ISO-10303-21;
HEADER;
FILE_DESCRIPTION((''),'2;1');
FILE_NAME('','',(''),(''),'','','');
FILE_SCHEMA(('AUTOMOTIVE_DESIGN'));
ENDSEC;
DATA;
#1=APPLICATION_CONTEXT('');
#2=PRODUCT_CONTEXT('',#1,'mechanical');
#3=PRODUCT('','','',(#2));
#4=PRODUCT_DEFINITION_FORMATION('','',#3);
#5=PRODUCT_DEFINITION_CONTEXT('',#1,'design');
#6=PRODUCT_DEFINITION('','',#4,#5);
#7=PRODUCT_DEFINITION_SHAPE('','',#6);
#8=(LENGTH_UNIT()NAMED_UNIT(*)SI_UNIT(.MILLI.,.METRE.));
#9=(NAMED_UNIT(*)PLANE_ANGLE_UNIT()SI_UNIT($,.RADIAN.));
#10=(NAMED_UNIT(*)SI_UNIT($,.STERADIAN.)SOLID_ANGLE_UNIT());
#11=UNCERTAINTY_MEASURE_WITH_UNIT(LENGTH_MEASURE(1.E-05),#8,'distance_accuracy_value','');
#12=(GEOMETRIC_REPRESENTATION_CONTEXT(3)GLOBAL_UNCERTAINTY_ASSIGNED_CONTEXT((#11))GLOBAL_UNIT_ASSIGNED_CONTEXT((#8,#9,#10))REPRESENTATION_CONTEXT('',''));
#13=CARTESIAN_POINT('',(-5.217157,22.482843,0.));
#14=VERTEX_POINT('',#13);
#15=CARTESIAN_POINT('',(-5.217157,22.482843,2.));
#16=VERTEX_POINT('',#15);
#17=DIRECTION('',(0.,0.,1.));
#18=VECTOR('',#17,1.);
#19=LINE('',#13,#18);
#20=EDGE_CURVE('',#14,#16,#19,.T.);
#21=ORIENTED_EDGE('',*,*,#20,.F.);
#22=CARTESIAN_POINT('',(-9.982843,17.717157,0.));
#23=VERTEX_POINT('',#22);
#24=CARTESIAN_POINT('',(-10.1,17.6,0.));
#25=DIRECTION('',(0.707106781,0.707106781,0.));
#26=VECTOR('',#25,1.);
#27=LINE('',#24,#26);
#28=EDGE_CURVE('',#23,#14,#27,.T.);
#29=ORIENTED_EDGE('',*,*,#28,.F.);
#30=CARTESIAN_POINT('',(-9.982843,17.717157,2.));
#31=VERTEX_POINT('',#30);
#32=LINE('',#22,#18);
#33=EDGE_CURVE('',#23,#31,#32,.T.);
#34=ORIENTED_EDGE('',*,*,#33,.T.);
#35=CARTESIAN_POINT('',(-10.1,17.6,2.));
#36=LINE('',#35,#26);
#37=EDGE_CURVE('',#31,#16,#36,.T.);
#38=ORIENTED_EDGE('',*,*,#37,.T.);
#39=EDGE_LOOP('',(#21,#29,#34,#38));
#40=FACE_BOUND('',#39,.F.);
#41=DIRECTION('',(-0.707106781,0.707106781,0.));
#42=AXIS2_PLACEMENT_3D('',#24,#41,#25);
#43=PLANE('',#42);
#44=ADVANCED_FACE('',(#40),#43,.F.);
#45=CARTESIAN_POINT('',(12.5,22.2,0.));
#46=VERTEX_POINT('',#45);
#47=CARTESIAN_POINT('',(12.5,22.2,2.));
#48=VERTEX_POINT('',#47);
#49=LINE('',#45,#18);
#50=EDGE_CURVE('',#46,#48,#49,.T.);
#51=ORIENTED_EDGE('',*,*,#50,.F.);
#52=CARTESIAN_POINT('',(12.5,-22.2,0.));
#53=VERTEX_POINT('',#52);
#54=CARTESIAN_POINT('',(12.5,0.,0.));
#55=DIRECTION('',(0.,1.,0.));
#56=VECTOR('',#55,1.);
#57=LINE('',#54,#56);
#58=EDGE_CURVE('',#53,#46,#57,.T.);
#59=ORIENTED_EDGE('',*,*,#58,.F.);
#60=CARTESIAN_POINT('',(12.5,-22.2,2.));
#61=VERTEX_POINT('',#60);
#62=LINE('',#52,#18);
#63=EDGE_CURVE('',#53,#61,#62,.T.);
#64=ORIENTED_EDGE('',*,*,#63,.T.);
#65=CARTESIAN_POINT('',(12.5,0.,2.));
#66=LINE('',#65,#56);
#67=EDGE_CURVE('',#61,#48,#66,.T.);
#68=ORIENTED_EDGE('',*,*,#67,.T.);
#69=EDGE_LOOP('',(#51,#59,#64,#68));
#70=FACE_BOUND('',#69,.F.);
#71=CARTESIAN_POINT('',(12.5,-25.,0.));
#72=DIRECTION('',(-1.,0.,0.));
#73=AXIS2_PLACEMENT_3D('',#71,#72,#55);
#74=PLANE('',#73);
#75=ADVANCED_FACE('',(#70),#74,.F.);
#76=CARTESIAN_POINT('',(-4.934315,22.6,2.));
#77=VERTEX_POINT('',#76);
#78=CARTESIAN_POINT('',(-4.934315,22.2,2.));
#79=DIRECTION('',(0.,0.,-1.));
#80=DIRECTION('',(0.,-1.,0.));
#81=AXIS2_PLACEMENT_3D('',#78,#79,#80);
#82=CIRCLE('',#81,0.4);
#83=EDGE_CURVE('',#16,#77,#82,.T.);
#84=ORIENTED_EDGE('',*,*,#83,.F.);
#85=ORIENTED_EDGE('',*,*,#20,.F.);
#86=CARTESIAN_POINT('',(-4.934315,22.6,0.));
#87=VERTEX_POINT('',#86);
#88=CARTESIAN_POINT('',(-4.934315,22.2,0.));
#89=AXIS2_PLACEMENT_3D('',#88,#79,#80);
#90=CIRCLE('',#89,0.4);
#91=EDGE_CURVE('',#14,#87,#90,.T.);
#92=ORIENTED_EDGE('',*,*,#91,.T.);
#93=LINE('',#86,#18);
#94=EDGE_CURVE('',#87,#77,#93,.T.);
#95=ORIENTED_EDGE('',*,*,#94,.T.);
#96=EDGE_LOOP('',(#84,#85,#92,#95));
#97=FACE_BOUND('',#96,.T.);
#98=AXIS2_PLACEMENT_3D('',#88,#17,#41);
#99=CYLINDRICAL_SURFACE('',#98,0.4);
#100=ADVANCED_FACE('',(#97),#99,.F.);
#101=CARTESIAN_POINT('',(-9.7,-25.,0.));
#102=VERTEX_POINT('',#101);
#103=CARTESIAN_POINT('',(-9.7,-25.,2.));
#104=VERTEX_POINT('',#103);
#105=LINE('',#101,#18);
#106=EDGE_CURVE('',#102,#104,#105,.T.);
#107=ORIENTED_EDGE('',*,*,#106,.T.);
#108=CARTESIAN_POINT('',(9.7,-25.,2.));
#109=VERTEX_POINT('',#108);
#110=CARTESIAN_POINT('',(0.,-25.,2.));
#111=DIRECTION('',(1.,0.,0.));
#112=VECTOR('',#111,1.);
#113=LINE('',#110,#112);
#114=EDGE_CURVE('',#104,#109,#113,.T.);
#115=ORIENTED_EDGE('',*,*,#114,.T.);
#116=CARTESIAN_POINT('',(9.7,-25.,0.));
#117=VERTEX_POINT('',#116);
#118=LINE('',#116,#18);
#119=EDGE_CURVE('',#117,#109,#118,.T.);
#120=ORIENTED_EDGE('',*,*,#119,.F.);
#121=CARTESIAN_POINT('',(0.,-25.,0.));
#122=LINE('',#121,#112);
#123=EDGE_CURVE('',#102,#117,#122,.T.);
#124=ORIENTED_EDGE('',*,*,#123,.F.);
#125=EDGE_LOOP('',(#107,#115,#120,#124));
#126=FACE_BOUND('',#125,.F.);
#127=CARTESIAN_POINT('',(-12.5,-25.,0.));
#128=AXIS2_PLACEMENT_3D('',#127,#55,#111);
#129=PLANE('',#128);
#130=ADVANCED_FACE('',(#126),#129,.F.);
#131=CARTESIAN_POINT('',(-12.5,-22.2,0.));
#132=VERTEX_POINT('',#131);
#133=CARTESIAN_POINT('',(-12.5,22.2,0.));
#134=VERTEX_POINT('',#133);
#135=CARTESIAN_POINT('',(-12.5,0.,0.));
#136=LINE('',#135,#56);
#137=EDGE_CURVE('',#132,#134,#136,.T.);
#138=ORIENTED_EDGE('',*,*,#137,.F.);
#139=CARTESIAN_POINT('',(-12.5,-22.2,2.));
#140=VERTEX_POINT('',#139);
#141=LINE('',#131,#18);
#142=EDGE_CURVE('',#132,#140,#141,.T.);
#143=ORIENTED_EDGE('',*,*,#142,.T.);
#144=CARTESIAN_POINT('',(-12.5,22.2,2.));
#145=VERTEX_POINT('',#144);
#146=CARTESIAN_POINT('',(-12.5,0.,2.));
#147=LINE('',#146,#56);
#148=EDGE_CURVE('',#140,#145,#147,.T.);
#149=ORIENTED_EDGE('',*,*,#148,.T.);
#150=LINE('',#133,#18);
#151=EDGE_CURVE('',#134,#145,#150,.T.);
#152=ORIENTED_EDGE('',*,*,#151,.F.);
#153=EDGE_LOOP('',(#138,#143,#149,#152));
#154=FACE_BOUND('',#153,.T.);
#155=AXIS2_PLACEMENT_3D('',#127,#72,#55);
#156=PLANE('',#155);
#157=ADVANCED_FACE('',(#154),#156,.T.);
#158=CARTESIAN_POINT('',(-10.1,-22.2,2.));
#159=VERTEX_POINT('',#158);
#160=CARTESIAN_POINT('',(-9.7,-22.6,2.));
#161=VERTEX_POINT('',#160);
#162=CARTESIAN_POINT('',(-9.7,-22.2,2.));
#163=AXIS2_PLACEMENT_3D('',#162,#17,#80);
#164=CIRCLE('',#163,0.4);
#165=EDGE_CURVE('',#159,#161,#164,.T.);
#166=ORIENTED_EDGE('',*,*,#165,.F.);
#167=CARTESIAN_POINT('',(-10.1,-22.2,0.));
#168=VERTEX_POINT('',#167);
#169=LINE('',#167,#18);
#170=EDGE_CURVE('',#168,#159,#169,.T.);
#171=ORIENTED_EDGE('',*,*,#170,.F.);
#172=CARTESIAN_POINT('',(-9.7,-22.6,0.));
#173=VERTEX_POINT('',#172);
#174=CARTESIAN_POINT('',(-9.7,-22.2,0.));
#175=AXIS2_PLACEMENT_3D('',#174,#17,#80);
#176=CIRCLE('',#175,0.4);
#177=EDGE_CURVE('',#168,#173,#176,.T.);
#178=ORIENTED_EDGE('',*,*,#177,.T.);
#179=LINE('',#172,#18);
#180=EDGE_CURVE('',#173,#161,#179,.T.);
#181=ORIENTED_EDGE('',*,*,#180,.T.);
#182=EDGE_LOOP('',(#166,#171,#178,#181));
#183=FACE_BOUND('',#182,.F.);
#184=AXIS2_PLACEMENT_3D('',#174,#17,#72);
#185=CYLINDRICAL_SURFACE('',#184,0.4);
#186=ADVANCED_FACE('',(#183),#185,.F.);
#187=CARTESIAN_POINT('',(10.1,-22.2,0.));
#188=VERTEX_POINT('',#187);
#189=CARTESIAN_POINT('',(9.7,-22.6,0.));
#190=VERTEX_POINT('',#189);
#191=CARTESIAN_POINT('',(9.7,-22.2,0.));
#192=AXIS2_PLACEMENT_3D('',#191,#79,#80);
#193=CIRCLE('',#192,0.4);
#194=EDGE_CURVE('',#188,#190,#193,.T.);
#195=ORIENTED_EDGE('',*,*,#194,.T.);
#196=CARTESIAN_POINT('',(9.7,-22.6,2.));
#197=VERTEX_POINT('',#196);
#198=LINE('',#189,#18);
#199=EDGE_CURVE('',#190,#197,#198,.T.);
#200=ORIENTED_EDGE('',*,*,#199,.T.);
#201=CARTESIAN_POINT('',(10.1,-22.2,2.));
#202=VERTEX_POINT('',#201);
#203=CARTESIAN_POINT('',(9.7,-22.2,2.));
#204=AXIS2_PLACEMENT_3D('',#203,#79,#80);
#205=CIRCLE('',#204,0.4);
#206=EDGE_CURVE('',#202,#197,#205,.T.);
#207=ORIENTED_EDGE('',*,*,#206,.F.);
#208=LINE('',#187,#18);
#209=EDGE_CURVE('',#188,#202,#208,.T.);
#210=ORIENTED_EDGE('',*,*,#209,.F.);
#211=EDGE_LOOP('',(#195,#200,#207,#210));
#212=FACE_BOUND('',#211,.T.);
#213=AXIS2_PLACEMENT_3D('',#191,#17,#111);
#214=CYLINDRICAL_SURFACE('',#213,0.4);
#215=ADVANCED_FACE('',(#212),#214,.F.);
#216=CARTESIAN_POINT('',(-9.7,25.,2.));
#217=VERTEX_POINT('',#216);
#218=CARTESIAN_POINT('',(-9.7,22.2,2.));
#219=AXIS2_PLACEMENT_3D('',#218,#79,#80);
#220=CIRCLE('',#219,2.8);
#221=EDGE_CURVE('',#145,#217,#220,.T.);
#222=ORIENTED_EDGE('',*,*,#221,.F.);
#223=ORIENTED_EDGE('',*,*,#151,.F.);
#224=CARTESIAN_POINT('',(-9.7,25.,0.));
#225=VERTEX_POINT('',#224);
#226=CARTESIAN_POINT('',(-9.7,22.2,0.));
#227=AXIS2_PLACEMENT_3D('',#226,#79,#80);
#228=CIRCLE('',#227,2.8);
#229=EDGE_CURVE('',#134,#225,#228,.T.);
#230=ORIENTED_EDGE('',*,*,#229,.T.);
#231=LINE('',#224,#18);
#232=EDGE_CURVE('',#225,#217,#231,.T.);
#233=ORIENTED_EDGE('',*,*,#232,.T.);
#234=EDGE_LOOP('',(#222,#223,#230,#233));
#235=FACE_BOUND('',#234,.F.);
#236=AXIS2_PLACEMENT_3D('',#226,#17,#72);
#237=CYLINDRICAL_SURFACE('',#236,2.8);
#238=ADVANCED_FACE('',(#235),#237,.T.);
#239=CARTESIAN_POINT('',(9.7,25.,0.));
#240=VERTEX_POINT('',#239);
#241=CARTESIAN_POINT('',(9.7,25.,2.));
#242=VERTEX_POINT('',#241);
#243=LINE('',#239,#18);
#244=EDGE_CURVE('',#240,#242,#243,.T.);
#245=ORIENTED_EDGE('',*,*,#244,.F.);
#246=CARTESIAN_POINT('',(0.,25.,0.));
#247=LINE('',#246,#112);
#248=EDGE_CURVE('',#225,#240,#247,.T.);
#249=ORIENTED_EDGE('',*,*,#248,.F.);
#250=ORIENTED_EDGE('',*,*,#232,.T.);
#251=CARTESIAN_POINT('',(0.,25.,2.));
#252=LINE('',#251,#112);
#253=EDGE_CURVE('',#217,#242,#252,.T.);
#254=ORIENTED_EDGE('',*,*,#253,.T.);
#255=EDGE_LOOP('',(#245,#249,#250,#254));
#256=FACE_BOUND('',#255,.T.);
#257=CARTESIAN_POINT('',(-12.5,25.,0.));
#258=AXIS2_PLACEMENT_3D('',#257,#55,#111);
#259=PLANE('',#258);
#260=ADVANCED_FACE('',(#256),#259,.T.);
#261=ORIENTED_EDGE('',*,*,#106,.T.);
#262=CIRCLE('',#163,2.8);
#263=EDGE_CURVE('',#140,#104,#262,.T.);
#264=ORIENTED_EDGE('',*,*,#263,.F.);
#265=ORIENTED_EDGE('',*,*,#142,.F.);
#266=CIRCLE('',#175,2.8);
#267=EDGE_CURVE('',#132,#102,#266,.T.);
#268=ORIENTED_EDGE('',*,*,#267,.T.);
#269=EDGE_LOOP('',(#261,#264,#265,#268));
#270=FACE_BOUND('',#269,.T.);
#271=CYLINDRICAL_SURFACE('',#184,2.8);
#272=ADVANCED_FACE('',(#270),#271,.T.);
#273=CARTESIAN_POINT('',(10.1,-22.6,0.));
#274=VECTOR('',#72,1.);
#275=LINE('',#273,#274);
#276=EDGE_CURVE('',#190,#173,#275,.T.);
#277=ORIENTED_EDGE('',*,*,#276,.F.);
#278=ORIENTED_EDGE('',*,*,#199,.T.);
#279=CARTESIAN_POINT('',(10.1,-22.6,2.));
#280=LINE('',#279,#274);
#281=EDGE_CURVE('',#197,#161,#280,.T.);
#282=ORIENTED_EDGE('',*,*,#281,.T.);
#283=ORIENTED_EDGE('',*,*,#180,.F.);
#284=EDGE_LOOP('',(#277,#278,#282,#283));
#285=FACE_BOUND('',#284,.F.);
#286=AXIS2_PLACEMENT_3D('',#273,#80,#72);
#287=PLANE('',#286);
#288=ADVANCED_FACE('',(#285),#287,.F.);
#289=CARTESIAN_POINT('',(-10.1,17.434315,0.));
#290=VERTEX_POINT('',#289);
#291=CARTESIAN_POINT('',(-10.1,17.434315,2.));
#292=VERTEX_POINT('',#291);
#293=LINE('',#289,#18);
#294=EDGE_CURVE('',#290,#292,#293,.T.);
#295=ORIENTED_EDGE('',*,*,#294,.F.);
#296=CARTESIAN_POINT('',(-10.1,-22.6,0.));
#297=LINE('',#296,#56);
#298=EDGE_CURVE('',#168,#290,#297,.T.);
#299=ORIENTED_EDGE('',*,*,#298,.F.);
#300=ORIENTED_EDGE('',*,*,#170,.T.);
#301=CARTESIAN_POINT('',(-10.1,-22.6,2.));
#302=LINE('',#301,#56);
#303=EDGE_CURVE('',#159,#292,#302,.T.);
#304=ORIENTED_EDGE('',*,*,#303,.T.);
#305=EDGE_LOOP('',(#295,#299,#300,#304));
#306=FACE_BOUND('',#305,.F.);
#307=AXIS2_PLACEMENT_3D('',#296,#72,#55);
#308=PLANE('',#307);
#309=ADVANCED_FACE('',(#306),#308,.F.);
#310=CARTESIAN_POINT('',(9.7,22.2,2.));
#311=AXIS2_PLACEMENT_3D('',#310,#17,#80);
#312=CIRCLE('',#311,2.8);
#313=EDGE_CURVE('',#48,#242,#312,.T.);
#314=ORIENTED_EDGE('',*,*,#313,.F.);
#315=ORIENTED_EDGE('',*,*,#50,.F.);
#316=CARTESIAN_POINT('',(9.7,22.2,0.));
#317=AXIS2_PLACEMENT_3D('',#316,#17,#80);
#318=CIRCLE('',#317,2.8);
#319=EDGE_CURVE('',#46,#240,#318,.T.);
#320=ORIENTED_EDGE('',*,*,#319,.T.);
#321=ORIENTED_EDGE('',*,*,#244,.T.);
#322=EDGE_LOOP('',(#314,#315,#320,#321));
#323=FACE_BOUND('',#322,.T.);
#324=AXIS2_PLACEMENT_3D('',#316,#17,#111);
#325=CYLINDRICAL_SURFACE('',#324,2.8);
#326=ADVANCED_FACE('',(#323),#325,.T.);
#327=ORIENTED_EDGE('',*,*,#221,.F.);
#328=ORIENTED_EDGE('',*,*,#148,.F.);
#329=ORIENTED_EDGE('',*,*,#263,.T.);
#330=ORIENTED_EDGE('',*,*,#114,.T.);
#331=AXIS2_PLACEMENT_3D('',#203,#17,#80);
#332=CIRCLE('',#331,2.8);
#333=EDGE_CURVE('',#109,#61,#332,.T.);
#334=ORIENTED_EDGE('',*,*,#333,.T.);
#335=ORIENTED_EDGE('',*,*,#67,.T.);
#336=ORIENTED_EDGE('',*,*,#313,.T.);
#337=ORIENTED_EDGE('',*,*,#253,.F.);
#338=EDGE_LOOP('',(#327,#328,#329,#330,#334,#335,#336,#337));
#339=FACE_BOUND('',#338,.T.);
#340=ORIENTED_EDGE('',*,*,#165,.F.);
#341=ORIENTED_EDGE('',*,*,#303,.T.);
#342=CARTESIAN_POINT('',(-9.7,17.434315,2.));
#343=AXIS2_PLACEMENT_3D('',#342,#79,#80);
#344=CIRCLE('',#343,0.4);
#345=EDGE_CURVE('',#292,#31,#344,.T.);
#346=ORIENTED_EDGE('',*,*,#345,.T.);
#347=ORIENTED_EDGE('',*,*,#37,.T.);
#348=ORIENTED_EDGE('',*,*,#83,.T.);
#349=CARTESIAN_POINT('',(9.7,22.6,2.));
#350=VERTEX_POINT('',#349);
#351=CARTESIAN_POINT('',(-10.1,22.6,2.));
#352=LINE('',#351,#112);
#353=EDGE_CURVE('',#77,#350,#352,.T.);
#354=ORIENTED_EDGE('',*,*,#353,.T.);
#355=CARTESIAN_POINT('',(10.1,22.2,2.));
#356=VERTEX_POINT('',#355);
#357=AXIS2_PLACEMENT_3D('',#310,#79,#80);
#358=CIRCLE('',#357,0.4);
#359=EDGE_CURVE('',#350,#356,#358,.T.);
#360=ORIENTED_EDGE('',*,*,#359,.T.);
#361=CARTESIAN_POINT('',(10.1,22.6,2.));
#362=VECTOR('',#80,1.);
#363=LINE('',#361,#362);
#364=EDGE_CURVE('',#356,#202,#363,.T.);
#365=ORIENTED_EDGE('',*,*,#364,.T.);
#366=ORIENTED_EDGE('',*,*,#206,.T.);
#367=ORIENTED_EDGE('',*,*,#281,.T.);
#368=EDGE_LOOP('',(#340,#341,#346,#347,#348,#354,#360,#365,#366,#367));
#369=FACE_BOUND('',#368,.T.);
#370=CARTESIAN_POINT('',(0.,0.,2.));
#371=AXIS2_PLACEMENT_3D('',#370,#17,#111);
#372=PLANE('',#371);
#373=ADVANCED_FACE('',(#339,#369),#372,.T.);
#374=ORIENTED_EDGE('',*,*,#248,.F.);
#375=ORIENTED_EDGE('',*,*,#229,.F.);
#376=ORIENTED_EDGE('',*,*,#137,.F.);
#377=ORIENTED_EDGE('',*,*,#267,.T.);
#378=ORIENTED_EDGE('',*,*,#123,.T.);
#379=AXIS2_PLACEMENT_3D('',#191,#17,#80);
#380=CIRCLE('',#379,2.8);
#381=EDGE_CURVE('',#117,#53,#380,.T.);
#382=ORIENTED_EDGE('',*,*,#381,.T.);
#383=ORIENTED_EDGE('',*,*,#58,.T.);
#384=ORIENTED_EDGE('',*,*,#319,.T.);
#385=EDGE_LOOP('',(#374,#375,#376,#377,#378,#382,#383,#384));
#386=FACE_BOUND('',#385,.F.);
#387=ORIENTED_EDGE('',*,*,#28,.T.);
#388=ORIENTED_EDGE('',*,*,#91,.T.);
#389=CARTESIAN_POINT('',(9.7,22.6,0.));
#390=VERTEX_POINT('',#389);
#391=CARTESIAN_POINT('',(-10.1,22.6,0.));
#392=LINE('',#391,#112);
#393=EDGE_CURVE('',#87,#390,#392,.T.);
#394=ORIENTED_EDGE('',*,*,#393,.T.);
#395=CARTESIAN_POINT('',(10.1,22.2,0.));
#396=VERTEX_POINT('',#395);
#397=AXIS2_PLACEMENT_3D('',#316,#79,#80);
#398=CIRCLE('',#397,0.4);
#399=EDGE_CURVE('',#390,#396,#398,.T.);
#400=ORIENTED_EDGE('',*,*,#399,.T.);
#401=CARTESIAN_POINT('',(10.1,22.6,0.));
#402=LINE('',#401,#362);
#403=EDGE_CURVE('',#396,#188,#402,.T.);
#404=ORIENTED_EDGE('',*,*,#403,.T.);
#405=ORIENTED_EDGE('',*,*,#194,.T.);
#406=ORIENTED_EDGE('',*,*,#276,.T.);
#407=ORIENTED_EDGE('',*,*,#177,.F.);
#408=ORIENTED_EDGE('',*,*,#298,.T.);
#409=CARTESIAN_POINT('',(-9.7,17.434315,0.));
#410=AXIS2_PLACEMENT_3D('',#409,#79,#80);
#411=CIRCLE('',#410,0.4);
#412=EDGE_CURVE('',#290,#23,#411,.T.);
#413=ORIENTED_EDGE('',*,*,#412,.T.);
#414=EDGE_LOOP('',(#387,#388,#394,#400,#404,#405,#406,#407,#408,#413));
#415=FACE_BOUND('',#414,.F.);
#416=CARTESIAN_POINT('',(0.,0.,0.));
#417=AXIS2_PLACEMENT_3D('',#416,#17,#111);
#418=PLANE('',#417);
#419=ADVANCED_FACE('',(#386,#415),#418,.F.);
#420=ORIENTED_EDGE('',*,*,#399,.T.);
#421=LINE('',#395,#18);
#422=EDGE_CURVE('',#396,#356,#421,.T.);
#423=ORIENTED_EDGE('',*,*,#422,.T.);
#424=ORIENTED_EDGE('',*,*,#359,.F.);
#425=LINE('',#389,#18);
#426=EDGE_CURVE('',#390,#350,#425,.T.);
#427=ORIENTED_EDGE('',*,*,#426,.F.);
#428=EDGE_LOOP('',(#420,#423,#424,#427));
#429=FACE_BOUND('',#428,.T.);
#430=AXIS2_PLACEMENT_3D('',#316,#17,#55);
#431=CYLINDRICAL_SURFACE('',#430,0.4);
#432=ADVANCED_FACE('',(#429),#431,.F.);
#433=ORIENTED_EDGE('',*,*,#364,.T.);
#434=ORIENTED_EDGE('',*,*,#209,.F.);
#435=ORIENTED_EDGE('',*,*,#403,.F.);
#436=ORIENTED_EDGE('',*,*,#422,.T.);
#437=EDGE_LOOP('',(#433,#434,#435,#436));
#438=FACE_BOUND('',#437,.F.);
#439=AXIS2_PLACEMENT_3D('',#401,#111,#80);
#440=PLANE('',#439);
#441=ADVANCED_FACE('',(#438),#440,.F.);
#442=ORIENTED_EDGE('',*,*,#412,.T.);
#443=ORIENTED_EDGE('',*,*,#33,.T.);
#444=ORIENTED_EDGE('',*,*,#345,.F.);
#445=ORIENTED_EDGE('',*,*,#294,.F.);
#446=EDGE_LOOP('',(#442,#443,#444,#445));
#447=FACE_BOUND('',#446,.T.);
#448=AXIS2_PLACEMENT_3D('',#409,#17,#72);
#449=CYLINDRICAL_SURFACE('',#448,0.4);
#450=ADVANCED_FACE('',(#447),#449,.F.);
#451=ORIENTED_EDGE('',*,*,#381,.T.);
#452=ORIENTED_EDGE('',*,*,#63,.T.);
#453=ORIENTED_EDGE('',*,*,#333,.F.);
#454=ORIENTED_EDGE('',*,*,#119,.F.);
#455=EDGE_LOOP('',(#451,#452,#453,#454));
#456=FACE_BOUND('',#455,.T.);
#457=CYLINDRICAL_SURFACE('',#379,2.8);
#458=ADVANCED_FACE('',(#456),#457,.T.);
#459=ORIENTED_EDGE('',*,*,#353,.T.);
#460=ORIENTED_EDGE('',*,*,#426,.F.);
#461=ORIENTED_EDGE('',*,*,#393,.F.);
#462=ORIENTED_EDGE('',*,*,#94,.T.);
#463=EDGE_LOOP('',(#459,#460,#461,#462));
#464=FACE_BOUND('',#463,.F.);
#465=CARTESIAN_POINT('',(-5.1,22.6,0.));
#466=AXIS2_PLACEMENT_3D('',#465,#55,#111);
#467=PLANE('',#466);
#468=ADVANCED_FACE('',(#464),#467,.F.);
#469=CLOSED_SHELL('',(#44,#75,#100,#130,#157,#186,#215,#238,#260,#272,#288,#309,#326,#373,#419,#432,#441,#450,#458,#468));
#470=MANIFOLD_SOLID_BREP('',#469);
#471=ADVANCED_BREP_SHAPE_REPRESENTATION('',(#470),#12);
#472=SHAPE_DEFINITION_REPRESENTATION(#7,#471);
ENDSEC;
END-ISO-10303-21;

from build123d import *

# Parameters (mm, degrees)
F0_W     = 25
F0_H     = 50
F1_DEPTH = 2
F2_R     = 2.8
F3_R     = 0.4


with BuildPart() as f1:
    # F0 (on Top) → F1 (new body)
    with BuildSketch(Plane.XY):
        Rectangle(F0_W, F0_H)
        Polygon((-10.1, 17.6), (-10.1, 22.6), (-5.1, 22.6), (10.1, 22.6), (10.1, -22.6), (-10.1, -22.6), align=None, mode=Mode.SUBTRACT)
        Polygon((-5.1, 22.6), (-10.1, 22.6), (-10.1, 17.6), align=None)
    extrude(amount=F1_DEPTH)

    # F2
    f2_edges = [f1.edges().sort_by_distance(p)[0] for p in [
        (-12.5, 25, 1),
        (-12.5, -25, 1),
        (12.5, -25, 1),
        (12.5, 25, 1),
    ]]
    fillet(f2_edges, radius=F2_R)

    # F3
    f3_edges = [f1.edges().sort_by_distance(p)[0] for p in [
        (10.1, 22.6, 1),
        (-5.1, 22.6, 1),
        (-10.1, 17.6, 1),
        (-10.1, -22.6, 1),
        (10.1, -22.6, 1),
    ]]
    fillet(f3_edges, radius=F3_R)


solid = f1.part
